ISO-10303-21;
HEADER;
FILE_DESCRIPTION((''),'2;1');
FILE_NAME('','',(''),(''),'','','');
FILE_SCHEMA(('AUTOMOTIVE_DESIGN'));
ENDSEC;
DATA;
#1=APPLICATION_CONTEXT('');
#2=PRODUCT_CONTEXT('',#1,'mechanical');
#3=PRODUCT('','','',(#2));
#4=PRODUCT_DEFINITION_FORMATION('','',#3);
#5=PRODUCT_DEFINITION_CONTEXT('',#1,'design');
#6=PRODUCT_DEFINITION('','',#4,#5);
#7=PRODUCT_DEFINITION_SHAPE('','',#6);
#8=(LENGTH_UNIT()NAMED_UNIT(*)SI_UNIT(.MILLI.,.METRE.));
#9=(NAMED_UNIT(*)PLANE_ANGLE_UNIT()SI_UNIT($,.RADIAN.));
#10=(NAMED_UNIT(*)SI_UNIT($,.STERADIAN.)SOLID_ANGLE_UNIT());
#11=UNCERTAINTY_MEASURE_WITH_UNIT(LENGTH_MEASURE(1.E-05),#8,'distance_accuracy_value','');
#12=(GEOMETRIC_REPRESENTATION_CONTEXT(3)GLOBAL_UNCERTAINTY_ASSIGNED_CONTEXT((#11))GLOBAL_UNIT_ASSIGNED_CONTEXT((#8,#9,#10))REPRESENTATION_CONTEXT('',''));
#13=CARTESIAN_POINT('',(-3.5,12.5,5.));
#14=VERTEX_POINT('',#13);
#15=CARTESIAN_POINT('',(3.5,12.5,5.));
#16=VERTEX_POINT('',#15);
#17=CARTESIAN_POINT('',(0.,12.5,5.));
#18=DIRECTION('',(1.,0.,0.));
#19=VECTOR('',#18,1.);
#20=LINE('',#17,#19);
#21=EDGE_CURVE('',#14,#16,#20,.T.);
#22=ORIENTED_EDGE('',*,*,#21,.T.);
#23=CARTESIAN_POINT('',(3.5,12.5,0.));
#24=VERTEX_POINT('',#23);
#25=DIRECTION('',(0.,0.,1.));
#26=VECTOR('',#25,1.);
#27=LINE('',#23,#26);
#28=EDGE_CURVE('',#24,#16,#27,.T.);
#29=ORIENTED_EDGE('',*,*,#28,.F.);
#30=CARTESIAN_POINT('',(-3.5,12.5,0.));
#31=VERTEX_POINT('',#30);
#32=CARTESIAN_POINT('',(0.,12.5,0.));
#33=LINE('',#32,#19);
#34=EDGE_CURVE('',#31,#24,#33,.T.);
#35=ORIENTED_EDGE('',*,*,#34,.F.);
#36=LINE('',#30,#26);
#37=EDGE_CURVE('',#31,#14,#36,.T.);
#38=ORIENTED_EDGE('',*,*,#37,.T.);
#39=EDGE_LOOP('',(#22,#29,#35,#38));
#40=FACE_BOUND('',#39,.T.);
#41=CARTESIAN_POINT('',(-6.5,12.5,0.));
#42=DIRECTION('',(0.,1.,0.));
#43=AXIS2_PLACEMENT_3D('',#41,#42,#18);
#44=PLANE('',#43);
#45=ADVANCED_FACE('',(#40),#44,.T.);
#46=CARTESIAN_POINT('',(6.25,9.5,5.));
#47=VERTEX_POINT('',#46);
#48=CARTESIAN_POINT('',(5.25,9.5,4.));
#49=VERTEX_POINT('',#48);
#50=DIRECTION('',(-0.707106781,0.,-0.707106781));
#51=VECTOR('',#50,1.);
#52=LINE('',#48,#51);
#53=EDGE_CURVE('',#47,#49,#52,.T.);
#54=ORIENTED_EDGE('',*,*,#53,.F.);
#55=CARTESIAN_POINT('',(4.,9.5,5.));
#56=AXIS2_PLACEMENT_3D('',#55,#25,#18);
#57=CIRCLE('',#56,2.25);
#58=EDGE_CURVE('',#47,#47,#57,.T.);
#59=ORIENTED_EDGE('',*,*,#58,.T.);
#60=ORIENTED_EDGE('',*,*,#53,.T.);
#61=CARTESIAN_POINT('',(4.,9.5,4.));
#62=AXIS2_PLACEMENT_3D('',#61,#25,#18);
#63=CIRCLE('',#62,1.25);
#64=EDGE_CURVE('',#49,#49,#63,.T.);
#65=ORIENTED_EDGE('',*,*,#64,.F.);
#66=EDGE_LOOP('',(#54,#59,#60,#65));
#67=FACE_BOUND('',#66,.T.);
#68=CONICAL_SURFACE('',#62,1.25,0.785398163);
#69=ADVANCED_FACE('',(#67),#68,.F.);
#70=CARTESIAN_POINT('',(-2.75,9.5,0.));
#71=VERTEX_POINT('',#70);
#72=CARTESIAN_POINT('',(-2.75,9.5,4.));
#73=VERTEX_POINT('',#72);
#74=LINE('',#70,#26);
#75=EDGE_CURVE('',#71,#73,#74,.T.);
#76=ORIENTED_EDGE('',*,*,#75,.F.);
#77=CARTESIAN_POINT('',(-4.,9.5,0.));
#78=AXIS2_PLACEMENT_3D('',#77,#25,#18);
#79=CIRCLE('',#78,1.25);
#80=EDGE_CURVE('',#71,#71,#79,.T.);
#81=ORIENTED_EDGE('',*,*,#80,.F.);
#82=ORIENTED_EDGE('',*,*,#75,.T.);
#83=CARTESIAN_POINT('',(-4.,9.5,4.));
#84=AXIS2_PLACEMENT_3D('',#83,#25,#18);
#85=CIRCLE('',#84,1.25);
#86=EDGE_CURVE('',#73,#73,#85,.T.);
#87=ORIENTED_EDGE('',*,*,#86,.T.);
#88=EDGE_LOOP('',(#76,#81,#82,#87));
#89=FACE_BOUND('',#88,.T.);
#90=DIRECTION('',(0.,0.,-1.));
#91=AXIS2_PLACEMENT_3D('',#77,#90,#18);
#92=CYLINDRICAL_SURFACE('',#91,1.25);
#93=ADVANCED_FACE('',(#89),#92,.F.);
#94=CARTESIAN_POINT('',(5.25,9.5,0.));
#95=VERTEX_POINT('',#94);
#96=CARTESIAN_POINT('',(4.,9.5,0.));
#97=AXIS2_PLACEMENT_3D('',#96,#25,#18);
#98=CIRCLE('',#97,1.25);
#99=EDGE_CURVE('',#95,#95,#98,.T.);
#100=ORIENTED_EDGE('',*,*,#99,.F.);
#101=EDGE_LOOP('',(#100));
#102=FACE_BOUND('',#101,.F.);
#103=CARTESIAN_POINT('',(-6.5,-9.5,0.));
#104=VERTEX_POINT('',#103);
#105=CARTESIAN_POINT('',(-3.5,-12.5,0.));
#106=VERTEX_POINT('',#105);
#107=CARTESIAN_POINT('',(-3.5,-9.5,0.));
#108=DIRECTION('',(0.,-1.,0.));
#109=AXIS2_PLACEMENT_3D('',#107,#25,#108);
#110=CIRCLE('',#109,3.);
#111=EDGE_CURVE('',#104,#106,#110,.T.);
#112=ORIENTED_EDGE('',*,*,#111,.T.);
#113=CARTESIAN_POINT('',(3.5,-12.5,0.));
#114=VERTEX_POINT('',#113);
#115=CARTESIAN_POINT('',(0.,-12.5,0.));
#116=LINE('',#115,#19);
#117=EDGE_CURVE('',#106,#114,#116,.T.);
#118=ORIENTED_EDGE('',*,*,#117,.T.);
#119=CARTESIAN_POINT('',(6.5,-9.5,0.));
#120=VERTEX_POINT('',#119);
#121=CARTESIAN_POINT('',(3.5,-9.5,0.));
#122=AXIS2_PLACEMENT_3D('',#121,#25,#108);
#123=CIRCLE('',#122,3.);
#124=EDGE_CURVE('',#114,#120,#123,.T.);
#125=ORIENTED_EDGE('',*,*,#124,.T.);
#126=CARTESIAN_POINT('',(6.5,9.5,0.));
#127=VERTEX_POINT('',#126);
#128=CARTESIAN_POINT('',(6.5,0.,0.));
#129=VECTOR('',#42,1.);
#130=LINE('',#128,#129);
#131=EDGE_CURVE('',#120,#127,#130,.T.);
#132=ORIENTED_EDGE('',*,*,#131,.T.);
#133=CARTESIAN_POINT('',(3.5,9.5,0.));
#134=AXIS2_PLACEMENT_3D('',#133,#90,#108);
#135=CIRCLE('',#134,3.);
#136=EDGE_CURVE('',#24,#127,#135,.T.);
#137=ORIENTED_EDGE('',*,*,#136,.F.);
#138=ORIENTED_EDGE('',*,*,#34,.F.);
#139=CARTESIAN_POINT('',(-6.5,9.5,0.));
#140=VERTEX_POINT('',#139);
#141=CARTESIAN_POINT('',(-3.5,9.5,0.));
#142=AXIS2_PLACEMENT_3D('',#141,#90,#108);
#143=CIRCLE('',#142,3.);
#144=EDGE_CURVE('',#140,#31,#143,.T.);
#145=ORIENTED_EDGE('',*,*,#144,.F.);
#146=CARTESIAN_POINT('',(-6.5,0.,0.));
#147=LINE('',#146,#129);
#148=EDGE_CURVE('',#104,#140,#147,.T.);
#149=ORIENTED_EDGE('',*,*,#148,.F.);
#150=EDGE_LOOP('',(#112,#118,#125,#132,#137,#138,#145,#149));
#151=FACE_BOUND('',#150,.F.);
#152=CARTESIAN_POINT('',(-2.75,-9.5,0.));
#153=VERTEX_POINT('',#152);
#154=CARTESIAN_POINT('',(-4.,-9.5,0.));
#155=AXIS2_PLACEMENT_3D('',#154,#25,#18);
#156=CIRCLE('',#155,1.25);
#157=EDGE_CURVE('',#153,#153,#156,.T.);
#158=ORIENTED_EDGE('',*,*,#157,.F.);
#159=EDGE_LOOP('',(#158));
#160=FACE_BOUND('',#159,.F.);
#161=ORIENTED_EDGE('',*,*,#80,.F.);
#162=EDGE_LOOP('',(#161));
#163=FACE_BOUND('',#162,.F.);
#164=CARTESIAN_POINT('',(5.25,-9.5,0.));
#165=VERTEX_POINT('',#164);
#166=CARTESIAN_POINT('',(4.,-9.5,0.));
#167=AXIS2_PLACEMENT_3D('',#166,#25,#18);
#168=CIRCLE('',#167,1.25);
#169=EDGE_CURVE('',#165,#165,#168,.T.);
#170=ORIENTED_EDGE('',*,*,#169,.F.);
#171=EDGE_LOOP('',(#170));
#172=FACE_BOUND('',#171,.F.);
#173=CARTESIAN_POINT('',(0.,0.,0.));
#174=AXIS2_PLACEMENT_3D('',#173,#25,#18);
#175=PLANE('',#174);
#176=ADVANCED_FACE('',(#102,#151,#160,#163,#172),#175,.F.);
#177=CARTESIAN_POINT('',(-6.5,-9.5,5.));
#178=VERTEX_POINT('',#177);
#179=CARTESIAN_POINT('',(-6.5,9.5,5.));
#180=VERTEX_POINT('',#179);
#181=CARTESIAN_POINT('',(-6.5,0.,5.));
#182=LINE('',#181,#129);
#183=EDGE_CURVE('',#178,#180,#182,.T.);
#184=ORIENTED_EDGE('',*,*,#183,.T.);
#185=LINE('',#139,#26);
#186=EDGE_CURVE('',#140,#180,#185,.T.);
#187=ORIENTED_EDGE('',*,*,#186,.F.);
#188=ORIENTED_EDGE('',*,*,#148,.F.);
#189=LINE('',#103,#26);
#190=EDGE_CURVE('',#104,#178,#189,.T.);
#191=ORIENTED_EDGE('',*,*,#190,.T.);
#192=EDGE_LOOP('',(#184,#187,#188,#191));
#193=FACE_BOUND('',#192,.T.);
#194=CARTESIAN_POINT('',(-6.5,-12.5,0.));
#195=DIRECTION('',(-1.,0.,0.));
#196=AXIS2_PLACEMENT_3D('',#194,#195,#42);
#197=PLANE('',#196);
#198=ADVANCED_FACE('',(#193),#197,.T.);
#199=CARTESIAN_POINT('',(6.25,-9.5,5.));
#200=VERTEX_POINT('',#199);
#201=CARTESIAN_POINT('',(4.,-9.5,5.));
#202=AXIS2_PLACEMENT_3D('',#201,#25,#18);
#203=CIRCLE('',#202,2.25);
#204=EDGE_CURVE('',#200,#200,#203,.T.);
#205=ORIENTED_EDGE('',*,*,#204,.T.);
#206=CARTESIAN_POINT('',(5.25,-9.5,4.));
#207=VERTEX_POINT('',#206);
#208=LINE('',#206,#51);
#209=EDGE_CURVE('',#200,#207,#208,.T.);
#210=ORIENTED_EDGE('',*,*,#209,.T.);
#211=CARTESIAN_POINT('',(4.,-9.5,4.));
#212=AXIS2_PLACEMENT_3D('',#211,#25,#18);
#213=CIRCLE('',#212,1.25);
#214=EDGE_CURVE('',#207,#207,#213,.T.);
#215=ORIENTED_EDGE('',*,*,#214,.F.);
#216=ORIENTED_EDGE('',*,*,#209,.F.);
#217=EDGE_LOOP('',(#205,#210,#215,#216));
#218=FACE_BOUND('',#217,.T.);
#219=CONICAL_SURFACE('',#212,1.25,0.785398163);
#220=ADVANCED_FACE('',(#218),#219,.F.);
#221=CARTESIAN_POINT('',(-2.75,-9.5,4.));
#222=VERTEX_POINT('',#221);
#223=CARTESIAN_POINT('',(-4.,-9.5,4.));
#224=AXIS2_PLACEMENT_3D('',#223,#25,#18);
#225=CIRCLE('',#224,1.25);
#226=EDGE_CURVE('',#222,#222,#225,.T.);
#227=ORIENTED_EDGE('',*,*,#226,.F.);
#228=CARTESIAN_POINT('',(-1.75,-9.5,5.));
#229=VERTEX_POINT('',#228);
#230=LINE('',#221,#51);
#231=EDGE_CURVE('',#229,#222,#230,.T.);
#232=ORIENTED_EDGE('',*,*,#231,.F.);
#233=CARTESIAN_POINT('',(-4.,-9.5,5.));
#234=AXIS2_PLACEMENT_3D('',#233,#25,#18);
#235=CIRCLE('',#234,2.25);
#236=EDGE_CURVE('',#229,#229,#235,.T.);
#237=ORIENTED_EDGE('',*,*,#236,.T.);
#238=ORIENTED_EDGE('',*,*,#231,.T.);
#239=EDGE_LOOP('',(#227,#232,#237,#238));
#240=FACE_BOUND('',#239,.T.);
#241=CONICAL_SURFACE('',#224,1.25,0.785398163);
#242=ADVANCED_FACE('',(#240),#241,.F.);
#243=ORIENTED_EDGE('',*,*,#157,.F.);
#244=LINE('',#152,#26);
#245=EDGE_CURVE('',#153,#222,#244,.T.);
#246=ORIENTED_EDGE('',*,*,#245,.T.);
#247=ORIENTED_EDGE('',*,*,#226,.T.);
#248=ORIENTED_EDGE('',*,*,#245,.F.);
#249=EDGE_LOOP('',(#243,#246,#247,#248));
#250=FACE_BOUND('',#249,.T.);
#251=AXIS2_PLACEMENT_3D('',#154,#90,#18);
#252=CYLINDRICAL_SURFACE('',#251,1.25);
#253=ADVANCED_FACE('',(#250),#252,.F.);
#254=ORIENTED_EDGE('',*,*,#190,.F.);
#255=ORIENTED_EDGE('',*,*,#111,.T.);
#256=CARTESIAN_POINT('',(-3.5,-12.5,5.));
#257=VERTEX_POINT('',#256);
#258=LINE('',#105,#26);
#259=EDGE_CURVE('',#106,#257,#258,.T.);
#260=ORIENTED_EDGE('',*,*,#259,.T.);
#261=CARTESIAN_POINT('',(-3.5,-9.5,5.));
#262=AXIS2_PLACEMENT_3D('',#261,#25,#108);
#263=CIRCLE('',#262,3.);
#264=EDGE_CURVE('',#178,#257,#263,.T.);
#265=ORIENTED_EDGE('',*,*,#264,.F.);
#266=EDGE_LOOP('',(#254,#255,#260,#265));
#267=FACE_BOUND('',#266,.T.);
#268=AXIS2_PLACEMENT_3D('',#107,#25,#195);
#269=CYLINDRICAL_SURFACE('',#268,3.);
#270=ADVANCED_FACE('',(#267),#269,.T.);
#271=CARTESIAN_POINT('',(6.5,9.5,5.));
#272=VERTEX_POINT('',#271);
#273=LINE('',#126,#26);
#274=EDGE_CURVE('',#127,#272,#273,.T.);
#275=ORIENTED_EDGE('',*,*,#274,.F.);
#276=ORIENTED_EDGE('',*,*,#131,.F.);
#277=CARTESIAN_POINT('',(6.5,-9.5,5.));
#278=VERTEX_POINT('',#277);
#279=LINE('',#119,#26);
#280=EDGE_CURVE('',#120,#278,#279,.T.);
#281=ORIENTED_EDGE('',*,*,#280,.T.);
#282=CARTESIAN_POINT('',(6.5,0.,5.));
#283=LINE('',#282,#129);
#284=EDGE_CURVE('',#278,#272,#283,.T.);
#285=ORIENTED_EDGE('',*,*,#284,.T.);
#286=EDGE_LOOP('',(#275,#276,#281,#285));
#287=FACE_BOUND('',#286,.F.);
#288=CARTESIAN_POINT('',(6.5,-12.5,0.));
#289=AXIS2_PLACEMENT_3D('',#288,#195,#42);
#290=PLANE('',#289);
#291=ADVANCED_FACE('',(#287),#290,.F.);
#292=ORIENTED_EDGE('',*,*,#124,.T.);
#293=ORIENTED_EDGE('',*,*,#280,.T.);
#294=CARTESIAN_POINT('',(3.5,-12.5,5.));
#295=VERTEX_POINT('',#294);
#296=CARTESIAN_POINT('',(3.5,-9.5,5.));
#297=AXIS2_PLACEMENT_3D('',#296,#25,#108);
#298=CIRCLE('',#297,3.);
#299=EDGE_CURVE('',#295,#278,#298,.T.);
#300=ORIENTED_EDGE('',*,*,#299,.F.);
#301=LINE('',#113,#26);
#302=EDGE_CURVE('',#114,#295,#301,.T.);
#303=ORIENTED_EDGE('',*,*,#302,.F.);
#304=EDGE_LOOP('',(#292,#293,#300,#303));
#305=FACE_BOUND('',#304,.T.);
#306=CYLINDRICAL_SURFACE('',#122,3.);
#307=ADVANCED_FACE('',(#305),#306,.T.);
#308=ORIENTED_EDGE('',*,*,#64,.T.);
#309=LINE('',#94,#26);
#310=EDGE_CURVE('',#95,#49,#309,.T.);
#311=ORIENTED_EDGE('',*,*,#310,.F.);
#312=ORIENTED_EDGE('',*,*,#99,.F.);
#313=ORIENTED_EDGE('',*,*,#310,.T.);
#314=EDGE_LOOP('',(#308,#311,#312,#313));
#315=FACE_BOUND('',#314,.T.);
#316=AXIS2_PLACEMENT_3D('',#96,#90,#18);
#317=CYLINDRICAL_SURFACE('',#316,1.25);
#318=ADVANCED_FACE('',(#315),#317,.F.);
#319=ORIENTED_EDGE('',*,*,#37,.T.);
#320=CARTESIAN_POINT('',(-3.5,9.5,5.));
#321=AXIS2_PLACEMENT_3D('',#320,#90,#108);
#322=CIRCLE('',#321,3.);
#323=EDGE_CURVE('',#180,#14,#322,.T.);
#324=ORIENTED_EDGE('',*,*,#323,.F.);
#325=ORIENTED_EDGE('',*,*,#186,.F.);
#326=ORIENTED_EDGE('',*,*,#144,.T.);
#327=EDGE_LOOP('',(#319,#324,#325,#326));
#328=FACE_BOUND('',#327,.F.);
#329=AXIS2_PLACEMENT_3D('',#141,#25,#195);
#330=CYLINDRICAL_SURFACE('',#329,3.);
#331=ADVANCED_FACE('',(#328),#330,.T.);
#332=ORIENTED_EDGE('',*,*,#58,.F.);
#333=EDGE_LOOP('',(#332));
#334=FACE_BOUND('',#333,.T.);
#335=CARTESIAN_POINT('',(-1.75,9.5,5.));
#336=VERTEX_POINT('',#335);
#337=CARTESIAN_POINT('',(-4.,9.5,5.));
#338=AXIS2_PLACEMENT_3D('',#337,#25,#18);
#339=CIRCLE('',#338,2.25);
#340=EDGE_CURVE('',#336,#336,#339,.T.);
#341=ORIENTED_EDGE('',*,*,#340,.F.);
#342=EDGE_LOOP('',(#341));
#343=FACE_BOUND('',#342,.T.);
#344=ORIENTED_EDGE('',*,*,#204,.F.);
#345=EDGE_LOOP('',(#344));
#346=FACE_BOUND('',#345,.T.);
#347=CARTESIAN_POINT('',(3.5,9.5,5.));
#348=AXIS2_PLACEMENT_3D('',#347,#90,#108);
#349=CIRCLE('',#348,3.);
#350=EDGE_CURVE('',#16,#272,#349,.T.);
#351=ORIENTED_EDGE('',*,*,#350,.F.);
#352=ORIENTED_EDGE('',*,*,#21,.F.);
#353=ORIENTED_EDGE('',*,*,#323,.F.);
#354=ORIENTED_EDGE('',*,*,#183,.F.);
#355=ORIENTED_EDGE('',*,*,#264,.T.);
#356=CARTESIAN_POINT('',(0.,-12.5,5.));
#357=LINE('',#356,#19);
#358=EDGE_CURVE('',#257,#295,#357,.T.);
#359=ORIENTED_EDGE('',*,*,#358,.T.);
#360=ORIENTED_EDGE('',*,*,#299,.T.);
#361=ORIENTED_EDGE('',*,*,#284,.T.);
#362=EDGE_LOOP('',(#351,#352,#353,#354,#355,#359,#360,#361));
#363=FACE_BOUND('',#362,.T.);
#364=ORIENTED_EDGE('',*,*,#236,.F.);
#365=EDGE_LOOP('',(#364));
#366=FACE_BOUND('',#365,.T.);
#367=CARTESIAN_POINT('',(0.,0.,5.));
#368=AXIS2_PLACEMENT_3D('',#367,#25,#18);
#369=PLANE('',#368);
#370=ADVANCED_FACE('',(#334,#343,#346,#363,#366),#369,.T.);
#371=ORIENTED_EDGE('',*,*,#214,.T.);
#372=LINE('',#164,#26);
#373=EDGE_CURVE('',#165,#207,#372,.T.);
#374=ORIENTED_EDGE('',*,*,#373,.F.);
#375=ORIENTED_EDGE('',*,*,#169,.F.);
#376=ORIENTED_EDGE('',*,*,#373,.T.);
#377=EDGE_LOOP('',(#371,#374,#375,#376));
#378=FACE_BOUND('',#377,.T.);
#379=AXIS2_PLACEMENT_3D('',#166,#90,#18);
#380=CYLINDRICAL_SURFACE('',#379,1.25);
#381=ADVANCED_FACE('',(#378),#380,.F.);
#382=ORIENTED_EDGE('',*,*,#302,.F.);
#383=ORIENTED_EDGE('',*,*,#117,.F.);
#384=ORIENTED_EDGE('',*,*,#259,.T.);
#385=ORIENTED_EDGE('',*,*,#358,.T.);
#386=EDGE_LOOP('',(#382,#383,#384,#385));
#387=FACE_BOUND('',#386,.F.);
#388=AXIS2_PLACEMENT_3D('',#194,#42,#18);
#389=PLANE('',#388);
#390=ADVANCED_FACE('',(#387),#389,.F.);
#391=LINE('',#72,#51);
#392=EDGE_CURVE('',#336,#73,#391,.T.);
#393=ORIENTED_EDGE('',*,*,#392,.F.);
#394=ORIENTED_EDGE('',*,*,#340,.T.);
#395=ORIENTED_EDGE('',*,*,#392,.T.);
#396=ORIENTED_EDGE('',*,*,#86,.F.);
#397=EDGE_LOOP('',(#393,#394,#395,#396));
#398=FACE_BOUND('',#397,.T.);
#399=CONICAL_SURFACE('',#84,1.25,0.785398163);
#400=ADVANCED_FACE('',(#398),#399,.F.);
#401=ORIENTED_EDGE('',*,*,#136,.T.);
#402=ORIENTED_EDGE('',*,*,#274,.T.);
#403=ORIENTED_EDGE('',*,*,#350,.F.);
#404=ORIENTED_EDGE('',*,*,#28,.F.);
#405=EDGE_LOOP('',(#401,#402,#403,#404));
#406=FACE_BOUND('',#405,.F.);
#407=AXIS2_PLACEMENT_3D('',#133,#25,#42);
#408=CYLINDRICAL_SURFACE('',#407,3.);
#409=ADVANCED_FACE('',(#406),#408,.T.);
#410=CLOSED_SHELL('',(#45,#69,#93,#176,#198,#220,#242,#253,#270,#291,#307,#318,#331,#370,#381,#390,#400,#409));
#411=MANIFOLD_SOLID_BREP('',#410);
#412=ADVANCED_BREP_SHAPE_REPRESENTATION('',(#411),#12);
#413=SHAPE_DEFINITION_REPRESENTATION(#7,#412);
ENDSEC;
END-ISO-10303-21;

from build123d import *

# Parameters (mm, degrees)
F0_W     = 13
F0_H     = 25
F0_R     = 1.25
F1_DEPTH = 5
F2_R     = 3
F3_SIZE  = 1


with BuildPart() as f1:
    # F0 (on Top) → F1 (new body)
    with BuildSketch(Plane.XY):
        Rectangle(F0_W, F0_H)
        with Locations((-4, -9.5)):
            Circle(F0_R, mode=Mode.SUBTRACT)
        with Locations((4, -9.5)):
            Circle(F0_R, mode=Mode.SUBTRACT)
        with Locations((-4, 9.5)):
            Circle(F0_R, mode=Mode.SUBTRACT)
        with Locations((4, 9.5)):
            Circle(F0_R, mode=Mode.SUBTRACT)
    extrude(amount=F1_DEPTH)

    # F2
    f2_edges = [f1.edges().sort_by_distance(p)[0] for p in [
        (-6.5, -12.5, 2.5),
        (6.5, -12.5, 2.5),
        (6.5, 12.5, 2.5),
        (-6.5, 12.5, 2.5),
    ]]
    fillet(f2_edges, radius=F2_R)

    # F3
    f3_edges = [f1.edges().sort_by_distance(p)[0] for p in [
        (-5.25, 9.5, 5),
        (2.75, 9.5, 5),
        (2.75, -9.5, 5),
        (-5.25, -9.5, 5),
    ]]
    chamfer(f3_edges, length=F3_SIZE)


solid = f1.part
